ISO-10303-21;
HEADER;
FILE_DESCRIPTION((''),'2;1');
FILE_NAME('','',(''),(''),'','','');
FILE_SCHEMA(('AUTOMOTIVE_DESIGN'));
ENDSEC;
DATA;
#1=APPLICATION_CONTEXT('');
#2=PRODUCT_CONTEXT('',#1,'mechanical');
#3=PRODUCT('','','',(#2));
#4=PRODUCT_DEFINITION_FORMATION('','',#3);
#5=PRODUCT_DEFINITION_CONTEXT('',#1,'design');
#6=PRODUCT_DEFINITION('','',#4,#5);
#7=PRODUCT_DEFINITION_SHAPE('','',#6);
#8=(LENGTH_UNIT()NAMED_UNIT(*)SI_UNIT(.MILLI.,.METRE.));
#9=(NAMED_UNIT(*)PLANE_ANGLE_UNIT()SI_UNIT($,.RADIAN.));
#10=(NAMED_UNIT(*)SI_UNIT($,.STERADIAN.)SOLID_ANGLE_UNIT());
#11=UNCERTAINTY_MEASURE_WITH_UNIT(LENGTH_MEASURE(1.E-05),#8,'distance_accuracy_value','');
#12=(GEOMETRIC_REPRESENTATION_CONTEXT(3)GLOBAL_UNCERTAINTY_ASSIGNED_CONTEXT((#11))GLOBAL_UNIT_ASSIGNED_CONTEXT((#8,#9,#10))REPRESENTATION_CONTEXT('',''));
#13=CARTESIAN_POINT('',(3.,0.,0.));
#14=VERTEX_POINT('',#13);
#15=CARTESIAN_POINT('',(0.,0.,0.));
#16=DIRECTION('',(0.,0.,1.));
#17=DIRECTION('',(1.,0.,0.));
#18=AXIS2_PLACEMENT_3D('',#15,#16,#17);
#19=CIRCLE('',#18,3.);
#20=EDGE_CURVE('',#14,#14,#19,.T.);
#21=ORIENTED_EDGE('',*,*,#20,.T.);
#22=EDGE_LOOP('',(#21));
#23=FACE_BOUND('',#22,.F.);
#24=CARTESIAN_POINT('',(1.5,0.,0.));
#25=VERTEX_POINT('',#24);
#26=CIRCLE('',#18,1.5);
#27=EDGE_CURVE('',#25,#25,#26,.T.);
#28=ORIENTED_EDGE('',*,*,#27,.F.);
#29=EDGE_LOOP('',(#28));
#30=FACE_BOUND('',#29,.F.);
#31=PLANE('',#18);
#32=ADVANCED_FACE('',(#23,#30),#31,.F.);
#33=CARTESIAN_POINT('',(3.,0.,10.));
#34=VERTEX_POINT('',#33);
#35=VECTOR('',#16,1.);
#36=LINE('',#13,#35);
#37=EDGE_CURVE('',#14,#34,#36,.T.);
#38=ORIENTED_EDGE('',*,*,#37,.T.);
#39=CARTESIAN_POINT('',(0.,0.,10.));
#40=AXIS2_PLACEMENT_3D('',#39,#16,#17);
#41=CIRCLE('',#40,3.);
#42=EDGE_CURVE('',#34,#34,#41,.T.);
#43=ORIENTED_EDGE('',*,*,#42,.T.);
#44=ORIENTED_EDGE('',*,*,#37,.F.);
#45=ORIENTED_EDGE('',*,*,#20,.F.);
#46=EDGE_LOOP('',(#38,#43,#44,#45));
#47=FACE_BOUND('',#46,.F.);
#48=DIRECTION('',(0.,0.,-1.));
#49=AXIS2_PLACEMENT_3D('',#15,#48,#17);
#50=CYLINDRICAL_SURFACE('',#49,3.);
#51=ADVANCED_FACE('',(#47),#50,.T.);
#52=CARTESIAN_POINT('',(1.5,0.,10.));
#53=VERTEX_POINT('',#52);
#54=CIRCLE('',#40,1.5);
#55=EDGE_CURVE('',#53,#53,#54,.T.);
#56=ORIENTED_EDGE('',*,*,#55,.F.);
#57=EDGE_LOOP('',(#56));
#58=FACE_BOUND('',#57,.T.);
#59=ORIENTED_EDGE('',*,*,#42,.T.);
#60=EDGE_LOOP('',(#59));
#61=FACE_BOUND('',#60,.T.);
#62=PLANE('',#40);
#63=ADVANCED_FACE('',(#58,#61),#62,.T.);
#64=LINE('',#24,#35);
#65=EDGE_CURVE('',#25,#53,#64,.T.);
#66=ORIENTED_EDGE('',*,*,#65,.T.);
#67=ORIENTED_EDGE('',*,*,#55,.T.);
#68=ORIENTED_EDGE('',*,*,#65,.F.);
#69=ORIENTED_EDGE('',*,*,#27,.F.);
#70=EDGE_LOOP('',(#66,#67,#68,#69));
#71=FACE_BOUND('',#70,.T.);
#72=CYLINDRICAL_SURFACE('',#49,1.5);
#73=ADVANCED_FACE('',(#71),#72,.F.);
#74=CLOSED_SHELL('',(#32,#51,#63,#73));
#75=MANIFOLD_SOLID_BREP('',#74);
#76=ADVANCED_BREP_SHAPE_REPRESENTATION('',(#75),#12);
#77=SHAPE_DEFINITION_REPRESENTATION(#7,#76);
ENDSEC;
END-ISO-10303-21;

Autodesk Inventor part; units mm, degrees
ref_plane "YZ Plane" through (0, 0, 0) normal (1, 0, 0) x (0, 1, 0)
ref_plane "XZ Plane" through (0, 0, 0) normal (0, 1, 0) x (-1, 0, 0)
ref_plane "XY Plane" through (0, 0, 0) normal (0, 0, 1) x (1, 0, 0)
sketch "スケッチ1" plane through (0, 0, 0) normal (0, 0, 1) x (1, 0, 0)
  circle A0 centre (0, 0) radius 3
  circle A1 centre (0, 0) radius 1.5
  dimension "d0" = 6
  dimension "d1" = 3
extrude "押し出し1" add sketch "スケッチ1" along normal blind 10
properties part number "ABSスペーサーm3-10　簡易筒型" material "ABS プラスチック"
